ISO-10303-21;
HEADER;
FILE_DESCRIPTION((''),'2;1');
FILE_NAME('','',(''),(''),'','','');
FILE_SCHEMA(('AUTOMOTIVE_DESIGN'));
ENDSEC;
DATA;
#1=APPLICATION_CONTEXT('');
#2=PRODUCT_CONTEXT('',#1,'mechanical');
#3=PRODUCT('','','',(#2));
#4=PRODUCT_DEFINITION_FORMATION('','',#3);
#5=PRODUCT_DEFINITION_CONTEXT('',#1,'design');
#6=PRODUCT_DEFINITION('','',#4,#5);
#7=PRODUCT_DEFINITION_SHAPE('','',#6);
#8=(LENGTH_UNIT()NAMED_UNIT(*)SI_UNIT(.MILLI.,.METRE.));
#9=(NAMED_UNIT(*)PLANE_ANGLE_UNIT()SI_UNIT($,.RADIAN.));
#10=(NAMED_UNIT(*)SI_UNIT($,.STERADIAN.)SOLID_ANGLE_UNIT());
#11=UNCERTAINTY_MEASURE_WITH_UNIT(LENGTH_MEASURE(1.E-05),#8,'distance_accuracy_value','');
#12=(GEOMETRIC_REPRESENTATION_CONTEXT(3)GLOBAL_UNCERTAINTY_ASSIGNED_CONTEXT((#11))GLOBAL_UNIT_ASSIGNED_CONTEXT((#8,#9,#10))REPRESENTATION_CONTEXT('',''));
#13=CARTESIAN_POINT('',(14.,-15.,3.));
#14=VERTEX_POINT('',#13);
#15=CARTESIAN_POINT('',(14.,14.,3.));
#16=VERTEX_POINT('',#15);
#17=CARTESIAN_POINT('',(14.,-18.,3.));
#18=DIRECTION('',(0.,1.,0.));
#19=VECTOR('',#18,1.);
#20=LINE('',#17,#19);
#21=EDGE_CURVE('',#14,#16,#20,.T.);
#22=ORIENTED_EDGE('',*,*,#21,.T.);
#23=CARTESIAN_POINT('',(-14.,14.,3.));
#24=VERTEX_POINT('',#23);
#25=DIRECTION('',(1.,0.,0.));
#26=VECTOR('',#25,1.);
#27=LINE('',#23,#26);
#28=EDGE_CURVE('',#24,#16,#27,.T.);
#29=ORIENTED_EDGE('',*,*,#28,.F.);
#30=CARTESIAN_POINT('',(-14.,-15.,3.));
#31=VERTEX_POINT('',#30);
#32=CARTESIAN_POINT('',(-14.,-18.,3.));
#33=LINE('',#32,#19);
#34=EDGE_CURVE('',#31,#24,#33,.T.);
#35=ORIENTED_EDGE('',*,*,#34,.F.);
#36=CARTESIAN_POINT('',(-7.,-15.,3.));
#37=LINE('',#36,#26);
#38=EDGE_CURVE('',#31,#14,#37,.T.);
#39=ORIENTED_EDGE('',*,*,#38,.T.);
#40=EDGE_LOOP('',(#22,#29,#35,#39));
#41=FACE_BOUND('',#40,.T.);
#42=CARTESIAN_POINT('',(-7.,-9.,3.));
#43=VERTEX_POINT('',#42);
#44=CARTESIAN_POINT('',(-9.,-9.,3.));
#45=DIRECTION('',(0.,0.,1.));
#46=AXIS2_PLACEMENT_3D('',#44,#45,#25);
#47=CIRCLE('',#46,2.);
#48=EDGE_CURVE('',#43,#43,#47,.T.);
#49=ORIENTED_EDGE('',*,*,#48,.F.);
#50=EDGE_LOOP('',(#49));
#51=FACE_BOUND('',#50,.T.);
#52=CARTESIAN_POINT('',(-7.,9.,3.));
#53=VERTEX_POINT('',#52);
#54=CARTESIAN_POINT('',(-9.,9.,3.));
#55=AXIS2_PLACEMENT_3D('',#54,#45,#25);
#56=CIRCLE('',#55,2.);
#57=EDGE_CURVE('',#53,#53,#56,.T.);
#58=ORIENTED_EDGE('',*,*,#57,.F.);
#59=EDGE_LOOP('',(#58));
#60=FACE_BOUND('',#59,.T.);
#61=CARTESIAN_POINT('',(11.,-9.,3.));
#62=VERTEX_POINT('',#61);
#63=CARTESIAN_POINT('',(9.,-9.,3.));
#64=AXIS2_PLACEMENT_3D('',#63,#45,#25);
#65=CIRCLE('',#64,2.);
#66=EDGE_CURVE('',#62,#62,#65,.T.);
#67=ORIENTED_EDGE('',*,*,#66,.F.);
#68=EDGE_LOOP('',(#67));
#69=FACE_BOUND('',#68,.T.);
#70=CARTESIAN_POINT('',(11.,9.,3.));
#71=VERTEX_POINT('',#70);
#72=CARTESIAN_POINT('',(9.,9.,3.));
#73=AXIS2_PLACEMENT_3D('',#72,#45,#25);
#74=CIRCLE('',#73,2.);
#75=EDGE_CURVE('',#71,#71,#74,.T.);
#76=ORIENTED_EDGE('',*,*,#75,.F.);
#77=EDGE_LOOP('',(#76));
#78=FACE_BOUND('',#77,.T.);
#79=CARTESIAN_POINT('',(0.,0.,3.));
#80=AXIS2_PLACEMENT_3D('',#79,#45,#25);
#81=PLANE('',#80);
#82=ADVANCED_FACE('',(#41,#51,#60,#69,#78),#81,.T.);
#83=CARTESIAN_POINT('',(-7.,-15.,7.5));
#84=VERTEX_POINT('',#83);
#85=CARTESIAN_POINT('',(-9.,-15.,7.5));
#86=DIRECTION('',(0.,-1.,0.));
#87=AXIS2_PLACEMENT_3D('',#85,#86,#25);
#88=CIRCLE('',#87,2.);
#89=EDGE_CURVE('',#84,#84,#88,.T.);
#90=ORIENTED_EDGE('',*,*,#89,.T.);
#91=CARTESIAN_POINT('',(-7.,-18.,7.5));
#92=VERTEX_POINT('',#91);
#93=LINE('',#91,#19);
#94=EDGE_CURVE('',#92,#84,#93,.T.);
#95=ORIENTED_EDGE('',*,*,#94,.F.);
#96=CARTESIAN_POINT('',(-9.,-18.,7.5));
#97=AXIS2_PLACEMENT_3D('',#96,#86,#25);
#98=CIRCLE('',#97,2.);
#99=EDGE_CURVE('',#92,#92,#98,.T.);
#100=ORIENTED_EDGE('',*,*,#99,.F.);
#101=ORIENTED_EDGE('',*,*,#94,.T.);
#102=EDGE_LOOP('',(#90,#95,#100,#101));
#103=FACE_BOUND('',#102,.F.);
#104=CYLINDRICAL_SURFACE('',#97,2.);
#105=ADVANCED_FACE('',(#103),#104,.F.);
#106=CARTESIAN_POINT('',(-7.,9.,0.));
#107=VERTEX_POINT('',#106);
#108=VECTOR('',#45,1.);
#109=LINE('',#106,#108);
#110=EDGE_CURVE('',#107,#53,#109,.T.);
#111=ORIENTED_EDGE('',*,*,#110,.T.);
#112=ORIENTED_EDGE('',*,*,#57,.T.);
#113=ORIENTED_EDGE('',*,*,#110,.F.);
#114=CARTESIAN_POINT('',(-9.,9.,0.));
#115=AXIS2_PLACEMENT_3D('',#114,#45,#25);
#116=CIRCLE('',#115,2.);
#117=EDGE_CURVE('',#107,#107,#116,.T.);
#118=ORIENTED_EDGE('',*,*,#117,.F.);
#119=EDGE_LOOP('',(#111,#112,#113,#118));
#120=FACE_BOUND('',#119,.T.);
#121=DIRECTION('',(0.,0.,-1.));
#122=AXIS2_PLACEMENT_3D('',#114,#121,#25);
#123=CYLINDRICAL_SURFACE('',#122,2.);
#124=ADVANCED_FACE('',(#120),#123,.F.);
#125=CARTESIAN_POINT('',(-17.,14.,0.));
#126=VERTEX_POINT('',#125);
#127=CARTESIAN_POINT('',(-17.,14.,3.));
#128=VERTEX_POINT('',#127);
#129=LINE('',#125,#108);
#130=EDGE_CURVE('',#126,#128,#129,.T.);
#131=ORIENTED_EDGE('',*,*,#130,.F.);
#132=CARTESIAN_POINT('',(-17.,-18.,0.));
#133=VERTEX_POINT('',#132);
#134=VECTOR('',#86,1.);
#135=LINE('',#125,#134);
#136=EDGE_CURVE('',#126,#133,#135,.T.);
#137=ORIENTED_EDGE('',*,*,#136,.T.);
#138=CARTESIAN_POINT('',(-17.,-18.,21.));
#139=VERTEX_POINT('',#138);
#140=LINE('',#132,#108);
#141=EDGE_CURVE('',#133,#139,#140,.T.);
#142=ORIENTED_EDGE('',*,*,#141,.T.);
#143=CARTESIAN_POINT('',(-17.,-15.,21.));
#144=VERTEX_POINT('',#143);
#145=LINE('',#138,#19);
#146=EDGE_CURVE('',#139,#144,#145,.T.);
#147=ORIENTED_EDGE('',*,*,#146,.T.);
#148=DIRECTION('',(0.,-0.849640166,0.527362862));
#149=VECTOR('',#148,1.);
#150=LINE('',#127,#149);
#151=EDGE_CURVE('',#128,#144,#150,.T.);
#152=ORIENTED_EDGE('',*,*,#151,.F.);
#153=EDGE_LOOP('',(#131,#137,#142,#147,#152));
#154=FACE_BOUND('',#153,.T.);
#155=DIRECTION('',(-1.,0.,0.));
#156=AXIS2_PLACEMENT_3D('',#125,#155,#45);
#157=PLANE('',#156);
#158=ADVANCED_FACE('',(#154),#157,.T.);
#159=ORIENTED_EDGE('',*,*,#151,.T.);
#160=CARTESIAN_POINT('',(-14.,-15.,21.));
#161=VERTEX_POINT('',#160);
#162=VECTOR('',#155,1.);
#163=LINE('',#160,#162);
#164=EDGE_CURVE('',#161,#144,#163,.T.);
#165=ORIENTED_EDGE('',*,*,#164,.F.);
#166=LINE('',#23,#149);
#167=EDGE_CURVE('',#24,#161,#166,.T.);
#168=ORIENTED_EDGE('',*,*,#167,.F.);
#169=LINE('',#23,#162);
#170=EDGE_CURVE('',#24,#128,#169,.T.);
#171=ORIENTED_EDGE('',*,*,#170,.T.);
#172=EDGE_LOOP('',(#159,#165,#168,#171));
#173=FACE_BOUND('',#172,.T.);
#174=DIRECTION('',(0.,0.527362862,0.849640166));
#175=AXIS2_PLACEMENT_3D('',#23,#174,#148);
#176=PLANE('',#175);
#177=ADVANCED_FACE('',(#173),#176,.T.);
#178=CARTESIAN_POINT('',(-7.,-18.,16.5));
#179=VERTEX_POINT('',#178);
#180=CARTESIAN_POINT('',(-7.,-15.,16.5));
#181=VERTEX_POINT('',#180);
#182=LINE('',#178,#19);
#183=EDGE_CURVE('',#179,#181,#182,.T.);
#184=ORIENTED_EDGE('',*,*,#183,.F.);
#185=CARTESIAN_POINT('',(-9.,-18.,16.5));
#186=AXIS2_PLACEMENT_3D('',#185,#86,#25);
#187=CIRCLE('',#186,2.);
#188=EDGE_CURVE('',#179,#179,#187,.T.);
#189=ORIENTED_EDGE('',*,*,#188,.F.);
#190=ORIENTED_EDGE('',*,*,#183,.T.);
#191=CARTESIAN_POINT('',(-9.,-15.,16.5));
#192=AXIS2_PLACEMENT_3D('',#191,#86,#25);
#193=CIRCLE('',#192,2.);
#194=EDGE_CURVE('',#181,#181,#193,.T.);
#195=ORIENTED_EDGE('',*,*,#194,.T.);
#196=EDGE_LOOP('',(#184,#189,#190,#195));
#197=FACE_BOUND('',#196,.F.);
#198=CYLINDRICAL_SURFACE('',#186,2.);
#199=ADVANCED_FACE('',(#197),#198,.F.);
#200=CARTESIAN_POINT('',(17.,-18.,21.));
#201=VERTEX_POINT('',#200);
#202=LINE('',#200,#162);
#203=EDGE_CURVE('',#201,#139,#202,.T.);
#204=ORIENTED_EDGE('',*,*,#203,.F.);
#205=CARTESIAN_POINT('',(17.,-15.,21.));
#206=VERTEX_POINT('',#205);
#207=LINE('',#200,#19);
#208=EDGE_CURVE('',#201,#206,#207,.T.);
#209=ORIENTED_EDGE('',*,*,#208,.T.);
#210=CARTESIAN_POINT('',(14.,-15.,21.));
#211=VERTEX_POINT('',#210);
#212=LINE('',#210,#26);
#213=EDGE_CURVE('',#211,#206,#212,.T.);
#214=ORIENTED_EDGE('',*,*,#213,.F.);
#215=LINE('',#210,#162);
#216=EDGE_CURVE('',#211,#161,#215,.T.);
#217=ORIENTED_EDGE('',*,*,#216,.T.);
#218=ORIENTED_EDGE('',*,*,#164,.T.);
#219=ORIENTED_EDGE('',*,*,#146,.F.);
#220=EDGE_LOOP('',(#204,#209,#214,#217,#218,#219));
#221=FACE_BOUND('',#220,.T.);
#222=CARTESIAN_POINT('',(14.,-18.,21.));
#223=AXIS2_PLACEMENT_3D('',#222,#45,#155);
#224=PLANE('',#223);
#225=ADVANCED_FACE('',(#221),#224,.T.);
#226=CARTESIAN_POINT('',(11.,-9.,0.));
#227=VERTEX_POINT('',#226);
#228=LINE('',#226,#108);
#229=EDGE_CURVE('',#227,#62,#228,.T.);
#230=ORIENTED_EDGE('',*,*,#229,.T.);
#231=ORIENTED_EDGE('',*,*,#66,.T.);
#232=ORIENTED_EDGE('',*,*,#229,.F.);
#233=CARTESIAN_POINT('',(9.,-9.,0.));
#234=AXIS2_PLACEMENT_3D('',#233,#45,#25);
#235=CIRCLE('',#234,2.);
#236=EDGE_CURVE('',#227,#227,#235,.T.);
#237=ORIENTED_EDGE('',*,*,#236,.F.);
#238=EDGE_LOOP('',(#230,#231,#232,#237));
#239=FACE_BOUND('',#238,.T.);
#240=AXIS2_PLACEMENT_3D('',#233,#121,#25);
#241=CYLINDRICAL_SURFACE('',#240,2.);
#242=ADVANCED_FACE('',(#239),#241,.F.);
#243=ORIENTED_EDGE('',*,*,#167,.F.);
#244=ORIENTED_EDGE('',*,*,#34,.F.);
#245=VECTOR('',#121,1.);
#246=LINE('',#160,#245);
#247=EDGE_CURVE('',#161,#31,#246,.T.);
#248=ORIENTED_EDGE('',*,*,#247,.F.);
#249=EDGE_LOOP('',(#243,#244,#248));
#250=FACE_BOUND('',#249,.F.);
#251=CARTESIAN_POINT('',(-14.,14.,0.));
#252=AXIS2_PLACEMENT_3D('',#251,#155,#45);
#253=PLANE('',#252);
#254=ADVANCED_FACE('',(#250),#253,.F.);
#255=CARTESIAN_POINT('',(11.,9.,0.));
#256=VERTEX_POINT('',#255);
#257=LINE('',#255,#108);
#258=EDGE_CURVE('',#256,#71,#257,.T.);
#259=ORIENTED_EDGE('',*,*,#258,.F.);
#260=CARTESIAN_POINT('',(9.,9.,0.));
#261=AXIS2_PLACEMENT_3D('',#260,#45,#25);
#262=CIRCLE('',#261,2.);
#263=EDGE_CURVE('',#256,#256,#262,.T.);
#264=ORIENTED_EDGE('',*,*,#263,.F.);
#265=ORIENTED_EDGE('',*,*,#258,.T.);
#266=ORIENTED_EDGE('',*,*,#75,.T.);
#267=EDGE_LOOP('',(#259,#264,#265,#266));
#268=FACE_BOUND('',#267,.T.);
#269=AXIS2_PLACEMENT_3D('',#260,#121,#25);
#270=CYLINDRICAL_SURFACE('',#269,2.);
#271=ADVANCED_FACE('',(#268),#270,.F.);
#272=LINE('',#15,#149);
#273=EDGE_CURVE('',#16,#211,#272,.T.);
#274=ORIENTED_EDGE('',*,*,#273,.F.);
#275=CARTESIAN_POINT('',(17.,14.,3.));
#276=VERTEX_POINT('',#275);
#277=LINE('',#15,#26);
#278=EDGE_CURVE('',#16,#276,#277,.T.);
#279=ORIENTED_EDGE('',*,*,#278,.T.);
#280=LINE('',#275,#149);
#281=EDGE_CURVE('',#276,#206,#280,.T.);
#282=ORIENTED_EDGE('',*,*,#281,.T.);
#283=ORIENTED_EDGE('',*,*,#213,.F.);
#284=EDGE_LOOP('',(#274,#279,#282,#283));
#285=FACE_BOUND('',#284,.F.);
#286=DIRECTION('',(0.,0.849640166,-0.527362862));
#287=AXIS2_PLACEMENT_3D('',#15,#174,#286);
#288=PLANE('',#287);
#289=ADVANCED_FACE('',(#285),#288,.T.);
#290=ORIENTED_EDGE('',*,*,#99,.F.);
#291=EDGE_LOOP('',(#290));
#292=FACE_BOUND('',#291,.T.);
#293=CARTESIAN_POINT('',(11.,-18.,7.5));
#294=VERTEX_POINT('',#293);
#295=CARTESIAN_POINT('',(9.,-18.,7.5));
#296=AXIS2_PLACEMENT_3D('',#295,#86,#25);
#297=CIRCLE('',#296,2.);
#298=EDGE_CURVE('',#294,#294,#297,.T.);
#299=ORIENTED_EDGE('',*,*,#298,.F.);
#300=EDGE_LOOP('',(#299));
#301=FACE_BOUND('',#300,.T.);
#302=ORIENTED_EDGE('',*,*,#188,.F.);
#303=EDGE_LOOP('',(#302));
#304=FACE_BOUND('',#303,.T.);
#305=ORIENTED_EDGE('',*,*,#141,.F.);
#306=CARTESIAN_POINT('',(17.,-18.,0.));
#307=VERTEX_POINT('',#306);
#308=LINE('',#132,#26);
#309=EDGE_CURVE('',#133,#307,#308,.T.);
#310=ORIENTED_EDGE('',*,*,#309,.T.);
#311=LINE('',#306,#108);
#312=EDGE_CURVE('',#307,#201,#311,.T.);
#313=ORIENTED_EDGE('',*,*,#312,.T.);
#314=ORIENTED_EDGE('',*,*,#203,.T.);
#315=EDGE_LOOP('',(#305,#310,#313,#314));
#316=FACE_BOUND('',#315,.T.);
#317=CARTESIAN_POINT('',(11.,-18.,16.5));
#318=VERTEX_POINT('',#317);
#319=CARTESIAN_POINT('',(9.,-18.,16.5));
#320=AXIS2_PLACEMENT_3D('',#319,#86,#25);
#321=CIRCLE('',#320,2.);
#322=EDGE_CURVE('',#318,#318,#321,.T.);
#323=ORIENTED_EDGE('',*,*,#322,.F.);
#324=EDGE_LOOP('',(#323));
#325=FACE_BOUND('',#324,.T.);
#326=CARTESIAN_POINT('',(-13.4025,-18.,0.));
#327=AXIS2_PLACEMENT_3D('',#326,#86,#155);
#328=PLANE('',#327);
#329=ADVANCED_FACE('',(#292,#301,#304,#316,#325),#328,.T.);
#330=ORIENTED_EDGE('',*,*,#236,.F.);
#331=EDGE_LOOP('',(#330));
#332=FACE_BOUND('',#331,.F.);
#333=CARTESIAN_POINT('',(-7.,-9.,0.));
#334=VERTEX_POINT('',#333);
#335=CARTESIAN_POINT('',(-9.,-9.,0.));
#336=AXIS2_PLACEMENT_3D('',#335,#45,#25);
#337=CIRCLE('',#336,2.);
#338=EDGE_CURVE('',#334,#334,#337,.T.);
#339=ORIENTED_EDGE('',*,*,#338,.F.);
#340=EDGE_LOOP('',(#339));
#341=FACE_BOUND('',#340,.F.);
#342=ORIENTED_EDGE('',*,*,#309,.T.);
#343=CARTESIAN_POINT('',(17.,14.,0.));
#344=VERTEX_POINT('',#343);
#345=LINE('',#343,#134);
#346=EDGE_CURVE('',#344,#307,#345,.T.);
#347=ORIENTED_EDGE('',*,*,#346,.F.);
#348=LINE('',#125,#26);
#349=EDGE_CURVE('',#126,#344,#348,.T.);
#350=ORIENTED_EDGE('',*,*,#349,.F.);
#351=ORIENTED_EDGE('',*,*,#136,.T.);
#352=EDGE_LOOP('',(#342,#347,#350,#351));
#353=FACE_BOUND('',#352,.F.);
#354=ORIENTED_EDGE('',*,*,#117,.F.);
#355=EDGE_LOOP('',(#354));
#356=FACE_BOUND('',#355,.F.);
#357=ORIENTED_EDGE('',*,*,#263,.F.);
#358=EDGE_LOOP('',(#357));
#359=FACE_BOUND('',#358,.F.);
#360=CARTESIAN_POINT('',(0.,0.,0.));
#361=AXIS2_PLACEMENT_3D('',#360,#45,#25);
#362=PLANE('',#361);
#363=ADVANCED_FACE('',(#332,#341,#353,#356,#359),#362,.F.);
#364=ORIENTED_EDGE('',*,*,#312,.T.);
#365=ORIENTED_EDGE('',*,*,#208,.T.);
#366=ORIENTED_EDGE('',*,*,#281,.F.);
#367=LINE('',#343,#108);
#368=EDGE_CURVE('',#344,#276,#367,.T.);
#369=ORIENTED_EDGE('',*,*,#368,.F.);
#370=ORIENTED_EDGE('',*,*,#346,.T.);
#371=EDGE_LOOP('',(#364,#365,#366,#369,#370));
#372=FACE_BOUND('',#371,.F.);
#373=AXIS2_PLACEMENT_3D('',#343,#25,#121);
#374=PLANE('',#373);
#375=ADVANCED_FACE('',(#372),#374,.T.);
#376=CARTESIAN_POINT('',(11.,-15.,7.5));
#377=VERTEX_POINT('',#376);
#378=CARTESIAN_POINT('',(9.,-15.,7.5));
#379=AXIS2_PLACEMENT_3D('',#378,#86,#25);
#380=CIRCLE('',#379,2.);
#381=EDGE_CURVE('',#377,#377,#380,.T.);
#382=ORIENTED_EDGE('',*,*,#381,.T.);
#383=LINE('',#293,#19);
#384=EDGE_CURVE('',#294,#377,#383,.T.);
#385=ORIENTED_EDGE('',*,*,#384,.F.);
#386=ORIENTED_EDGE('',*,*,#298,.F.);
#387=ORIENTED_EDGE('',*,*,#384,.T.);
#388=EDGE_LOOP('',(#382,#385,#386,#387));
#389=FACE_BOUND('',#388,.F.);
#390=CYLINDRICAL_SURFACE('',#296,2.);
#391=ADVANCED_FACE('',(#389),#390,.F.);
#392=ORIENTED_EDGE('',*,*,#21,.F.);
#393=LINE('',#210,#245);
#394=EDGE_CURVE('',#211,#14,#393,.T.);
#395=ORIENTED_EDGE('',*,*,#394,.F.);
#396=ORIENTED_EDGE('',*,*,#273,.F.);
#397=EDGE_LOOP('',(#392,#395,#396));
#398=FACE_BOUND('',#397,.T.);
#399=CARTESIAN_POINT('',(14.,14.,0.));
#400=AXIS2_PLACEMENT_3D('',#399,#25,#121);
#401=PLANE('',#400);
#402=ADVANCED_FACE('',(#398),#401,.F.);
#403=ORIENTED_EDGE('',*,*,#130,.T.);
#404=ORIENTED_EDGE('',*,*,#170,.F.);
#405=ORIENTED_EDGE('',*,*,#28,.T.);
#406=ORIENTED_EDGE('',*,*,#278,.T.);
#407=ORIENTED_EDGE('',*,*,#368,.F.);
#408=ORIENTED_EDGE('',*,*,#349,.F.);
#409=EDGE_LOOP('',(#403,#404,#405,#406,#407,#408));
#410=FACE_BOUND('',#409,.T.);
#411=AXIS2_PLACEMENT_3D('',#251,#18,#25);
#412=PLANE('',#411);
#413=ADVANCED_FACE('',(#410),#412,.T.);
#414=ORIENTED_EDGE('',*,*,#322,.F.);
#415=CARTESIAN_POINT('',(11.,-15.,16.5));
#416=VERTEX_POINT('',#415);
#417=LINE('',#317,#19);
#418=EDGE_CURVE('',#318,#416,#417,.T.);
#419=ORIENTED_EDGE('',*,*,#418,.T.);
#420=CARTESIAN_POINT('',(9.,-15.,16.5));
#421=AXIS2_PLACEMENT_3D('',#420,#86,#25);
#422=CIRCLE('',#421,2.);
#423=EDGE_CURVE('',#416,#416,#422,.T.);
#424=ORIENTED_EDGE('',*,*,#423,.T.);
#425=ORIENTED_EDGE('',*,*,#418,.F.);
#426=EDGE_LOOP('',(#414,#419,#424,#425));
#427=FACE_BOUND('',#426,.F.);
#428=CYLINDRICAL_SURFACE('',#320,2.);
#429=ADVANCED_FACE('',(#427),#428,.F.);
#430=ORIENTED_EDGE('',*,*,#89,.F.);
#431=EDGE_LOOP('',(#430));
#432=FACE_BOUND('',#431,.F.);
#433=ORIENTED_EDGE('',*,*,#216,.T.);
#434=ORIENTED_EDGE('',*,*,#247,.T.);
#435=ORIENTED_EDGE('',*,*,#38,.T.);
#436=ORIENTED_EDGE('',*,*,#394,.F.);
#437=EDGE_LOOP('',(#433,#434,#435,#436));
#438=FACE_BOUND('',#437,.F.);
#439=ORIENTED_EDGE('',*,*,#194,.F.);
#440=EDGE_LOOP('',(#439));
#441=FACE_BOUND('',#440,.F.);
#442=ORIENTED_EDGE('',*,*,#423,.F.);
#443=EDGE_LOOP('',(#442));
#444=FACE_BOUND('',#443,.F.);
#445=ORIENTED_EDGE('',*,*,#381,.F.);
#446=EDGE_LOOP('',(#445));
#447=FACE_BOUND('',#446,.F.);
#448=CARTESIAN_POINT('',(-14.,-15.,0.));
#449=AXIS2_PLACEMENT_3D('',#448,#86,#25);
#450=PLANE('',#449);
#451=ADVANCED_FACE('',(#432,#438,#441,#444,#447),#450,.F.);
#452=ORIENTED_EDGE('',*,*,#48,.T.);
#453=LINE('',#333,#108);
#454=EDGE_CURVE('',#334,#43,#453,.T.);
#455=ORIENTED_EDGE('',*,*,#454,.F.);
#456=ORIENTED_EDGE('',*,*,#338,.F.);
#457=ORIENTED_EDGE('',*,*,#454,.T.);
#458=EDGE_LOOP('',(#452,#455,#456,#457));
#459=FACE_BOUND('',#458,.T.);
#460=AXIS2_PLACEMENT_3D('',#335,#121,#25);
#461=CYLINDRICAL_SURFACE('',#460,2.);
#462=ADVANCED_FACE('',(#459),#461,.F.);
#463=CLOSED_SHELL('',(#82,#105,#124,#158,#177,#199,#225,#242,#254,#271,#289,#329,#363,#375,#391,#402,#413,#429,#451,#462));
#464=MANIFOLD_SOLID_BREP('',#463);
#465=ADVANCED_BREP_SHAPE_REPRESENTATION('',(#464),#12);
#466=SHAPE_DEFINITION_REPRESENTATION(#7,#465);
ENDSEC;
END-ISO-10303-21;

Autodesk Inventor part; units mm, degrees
ref_plane "YZ Plane" through (0, 0, 0) normal (1, 0, 0) x (0, 1, 0)
ref_plane "XZ Plane" through (0, 0, 0) normal (0, 1, 0) x (-1, 0, 0)
ref_plane "XY Plane" through (0, 0, 0) normal (0, 0, 1) x (1, 0, 0)
sketch "Sketch1" plane through (0, 0, 0) normal (0, 0, 1) x (1, 0, 0)
  line L0 (-9, -9) -> (9, -9) construction
  line L1 (9, -9) -> (9, 9) construction
  line L2 (9, 9) -> (-9, 9) construction
  line L3 (-9, 9) -> (-9, -9) construction
  line L4 (-9, -9) -> (9, 9) construction
  line L5 (9, -9) -> (-9, 9) construction
  circle A0 centre (-9, 9) radius 2
  circle A1 centre (9, 9) radius 2
  circle A2 centre (9, -9) radius 2
  circle A3 centre (-9, -9) radius 2
  line L6 (-13.4025, 9) -> (21.0308, 9) construction
  line L7 (-13.4025, -18) -> (21.0308, -18)
  line L8 (14, -14) -> (-14, -14)
  line L9 (-14, -14) -> (-14, 14)
  line L10 (-14, 14) -> (14, 14)
  line L11 (14, 14) -> (14, -14)
  line L12 (-14, 14) -> (14, 14)
  line L13 (14, 14) -> (14, -18)
  line L14 (14, -18) -> (-14, -18)
  line L15 (-14, -18) -> (-14, 14)
  point P0 (0, 0)
  dimension "d0" = 18
  dimension "d1" = 18
  dimension "d2" = 4
  dimension "d3" = 4
  dimension "d4" = 27
  dimension "d5" = 5
  dimension "d6" = 9
  dimension "d7" = 14
extrude "Extrusion1" add sketch "Sketch1" along normal blind 3
sketch "Sketch2" plane through (-14, -18, 0) normal (0, -1, 0) x (1, 0, 0)
  line L0 (0, 3) -> (28, 3)
  line L1 (28, 3) -> (28, 21)
  line L2 (28, 21) -> (0, 21)
  line L3 (0, 21) -> (0, 3)
  line L4 (0, 21) -> (28, 3) construction
  line L5 (5, 7.5) -> (23, 7.5) construction
  line L6 (23, 7.5) -> (23, 16.5) construction
  line L7 (23, 16.5) -> (5, 16.5) construction
  line L8 (5, 16.5) -> (5, 7.5) construction
  line L9 (5, 7.5) -> (23, 16.5) construction
  line L10 (23, 7.5) -> (5, 16.5) construction
  circle A0 centre (5, 16.5) radius 2
  circle A1 centre (23, 16.5) radius 2
  line L11 (5, 12) -> (23, 12) construction
  line L12 (14, 16.5) -> (14, 7.5) construction
  circle A2 centre (5, 7.5) radius 2
  circle A3 centre (23, 7.5) radius 2
  line L13 (0, 0) -> (28, 0) projected
  line L14 (28, 0) -> (28, 3) projected
  line L15 (0, 3) -> (28, 3) projected
  line L16 (0, 0) -> (0, 3) projected
  line L17 (0, 0) -> (28, 0)
  line L18 (28, 0) -> (28, 3)
  line L19 (28, 3) -> (0, 3)
  line L20 (0, 3) -> (0, 0)
  point P0 (14, 0)
  point P1 (14, 12)
  dimension "d11" = 18
  dimension "d12" = 18
  dimension "d13" = 9
  dimension "d14" = 4
  dimension "d15" = 4
extrude "Extrusion2" add sketch "Sketch2" against normal blind 3
sketch "Sketch4" plane through (-14, 14, 0) normal (-1, 0, 0) x (0, 0, 1)
  line L0 (3, -29) -> (3, 0) projected
  line L1 (21, -32) -> (21, -29) projected
  line L2 (0, 0) -> (0, -32) projected
  line L3 (3, -29) -> (21, -29) projected
  line L4 (21, -32) -> (21, -29) projected
  line L5 (3, 0) -> (3, -29) projected
  line L6 (0, 0) -> (3, 0) projected
  line L7 (0, -32) -> (21, -32) projected
  line L8 (3, 0) -> (21, -29)
  point P0 (0, -14)
  point P1 (3, -32)
  point P2 (3, 0)
  point P3 (21, -32)
  point P4 (3, 0)
extrude "Extrusion3" add sketch "Sketch4" along normal blind 3
mirror "Mirror1" about plane through (0, 0, 0) normal (1, 0, 0) of "Extrusion3"
sketch "Sketch5" plane through (-14, -18, 0) normal (0, -1, 0) x (1, 0, 0)
  circle A0 centre (5, 7.5) radius 2 projected
  circle A1 centre (5, 7.5) radius 3
  point P0 (14, 0)
  dimension "d22" = 6
sketch "Sketch6" plane through (0, 0, 3) normal (0, 0, 1) x (1, 0, 0)
  circle A0 centre (-9, -9) radius 2 projected
  circle A1 centre (-9, -9) radius 3
  point P0 (0, 0)
  dimension "d23" = 6
properties part number "Escuadra" material "ABS Plastic"
